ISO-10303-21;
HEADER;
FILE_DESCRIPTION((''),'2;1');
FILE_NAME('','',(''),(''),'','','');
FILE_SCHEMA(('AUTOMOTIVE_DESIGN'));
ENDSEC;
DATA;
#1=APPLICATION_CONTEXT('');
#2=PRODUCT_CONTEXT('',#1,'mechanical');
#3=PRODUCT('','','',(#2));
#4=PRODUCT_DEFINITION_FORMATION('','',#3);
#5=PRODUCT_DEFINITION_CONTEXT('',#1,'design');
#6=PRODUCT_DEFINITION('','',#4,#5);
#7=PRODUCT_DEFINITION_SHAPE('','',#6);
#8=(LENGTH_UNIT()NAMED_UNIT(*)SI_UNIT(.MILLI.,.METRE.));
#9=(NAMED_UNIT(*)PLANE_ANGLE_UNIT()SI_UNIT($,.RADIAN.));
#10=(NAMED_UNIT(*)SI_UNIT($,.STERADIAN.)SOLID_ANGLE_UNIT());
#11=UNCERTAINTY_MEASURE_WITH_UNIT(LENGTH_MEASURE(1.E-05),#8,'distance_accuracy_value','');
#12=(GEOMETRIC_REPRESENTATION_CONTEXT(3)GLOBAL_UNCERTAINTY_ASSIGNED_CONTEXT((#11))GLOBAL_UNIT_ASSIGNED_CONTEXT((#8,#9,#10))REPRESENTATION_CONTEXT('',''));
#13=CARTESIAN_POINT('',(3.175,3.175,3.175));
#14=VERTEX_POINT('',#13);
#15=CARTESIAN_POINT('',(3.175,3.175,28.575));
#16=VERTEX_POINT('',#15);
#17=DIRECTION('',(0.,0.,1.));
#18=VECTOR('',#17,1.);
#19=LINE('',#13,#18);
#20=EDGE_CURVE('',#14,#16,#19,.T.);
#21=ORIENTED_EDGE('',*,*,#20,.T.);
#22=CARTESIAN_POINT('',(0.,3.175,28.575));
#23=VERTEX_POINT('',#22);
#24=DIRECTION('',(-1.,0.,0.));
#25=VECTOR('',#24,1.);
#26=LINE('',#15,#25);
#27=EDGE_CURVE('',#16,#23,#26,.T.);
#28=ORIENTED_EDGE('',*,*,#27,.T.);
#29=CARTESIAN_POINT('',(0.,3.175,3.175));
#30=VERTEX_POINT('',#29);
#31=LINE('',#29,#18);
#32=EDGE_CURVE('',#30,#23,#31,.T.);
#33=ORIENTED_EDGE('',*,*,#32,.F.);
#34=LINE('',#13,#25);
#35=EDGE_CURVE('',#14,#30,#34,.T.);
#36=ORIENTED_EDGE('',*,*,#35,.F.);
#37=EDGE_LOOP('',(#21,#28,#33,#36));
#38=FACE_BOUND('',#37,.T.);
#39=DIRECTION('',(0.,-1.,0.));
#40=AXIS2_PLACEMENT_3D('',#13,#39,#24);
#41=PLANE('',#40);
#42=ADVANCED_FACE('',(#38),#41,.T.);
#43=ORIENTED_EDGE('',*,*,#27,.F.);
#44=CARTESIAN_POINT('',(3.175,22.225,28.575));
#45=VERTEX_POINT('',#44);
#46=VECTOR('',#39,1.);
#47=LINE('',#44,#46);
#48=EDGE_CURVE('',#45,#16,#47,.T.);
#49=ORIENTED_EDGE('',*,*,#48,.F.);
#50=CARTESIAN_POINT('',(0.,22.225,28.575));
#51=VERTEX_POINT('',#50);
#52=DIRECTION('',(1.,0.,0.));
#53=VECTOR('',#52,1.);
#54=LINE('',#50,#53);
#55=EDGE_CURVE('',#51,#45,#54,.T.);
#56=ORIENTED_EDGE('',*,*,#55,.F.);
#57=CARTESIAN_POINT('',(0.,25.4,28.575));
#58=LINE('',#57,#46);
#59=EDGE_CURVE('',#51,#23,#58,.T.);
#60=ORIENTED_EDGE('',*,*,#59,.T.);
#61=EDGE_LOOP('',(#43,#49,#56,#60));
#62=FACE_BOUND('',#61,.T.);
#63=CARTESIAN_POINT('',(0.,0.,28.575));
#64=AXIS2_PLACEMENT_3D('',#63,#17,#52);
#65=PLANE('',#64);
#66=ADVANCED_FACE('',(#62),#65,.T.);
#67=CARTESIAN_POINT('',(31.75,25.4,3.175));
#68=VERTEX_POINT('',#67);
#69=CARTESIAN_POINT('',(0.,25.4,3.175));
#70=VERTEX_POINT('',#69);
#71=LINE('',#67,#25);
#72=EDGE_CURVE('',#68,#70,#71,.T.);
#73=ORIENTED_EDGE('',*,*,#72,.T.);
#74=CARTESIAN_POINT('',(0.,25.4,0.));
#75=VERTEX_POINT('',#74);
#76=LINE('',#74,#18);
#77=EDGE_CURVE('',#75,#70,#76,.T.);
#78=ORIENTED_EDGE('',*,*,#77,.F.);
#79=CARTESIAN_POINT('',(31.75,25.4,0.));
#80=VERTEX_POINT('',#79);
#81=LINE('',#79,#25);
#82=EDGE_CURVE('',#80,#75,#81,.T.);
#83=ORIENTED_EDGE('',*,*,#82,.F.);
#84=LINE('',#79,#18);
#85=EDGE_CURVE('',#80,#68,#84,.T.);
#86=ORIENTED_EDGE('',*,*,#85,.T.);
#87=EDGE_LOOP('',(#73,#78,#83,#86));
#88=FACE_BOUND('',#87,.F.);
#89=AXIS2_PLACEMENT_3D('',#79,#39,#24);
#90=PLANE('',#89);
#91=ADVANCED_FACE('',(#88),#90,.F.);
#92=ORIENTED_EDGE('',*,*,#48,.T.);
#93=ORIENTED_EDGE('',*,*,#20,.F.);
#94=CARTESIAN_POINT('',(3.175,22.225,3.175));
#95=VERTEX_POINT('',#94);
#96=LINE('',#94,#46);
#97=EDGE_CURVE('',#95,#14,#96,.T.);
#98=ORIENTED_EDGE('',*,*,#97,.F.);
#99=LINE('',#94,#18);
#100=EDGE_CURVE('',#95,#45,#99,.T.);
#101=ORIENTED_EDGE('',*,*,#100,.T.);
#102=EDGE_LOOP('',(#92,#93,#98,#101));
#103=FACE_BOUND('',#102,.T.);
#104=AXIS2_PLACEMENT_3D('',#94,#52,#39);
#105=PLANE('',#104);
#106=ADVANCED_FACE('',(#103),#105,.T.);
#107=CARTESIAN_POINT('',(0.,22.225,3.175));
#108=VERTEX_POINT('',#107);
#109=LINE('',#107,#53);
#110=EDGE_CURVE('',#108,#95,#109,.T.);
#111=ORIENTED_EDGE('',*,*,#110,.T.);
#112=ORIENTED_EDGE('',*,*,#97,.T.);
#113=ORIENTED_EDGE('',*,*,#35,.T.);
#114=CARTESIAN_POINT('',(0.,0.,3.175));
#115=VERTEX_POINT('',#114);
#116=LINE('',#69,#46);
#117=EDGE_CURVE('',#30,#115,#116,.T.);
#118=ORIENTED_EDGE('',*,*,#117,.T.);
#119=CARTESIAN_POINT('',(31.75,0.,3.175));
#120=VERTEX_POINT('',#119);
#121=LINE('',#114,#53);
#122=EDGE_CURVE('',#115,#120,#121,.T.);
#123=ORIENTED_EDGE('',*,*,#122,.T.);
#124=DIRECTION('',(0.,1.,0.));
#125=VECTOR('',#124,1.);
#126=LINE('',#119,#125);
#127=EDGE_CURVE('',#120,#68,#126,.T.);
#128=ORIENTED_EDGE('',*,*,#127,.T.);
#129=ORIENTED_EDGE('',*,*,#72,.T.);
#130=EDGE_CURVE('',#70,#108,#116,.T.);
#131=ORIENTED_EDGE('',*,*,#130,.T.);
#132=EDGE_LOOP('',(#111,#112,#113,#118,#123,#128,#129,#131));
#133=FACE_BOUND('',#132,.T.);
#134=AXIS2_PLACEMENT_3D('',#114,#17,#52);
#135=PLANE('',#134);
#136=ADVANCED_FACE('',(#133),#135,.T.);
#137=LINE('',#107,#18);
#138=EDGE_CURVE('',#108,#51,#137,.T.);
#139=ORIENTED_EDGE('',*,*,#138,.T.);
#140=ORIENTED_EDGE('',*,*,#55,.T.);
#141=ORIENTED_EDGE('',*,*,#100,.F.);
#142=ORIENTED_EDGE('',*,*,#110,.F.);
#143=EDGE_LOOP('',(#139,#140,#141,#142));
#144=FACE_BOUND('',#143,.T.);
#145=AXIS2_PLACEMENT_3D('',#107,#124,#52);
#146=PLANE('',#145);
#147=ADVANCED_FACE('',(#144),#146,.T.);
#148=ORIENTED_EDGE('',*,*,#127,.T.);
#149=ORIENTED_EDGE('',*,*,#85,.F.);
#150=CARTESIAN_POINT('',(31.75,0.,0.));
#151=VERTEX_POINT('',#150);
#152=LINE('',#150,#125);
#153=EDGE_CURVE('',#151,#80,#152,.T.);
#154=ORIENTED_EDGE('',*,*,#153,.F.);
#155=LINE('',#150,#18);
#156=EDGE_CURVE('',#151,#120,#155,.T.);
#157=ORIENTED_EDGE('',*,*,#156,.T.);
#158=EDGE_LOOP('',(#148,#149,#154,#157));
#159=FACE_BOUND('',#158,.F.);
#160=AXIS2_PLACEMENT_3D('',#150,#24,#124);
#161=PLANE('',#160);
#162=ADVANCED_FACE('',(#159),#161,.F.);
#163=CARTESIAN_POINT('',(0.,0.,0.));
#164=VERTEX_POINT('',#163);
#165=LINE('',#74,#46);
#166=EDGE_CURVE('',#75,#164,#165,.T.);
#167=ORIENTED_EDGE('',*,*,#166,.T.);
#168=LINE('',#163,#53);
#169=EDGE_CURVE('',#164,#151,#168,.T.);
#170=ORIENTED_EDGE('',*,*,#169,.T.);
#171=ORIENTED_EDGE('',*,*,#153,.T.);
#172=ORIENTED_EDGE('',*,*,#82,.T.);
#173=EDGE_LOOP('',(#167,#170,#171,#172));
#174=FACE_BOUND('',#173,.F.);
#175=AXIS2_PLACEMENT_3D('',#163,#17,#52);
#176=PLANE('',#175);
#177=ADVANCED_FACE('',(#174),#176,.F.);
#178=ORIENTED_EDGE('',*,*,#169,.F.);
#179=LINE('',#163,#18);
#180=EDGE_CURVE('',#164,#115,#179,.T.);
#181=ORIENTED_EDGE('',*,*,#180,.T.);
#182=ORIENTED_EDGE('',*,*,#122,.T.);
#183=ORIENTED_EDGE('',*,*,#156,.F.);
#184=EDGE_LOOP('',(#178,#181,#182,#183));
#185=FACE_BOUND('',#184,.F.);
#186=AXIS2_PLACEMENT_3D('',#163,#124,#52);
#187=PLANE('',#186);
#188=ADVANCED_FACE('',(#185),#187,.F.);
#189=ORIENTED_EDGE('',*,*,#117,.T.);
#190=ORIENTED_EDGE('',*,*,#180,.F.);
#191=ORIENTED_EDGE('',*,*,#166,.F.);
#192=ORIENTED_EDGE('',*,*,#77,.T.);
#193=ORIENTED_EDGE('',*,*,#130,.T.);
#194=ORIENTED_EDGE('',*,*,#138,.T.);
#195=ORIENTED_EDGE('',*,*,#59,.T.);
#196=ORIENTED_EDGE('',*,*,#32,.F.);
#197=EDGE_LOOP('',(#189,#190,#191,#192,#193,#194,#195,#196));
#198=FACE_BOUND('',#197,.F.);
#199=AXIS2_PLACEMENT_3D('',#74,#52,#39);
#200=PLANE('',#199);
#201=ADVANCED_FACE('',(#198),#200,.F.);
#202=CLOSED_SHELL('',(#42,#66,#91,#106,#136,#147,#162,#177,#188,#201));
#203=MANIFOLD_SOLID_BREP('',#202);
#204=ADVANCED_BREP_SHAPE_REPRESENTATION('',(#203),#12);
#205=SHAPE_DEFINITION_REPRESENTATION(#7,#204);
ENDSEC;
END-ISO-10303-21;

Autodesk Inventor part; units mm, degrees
ref_plane "YZ Plane" through (0, 0, 0) normal (1, 0, 0) x (0, 1, 0)
ref_plane "XZ Plane" through (0, 0, 0) normal (0, 1, 0) x (-1, 0, 0)
ref_plane "XY Plane" through (0, 0, 0) normal (0, 0, 1) x (1, 0, 0)
sketch "Sketch1" plane through (0, 0, 0) normal (0, 0, 1) x (1, 0, 0)
  line L0 (0, 0) -> (31.75, 0)
  line L1 (31.75, 0) -> (31.75, 25.4)
  line L2 (31.75, 25.4) -> (0, 25.4)
  line L3 (0, 25.4) -> (0, 0)
  dimension "d0" = 31.75
  dimension "d1" = 25.4
extrude "Extrusion1" add sketch "Sketch1" along normal blind 3.175
sketch "Sketch2" plane through (0, 0, 3.175) normal (0, 0, 1) x (1, 0, 0)
  line L0 (0, 25.4) -> (0, 0) projected
  line L1 (0, 3.175) -> (0, 22.225)
  line L2 (0, 22.225) -> (3.175, 22.225)
  line L3 (3.175, 22.225) -> (3.175, 3.175)
  line L4 (3.175, 3.175) -> (0, 3.175)
  dimension "d4" = 19.05
  dimension "d5" = 3.175
extrude "Extrusion2" add sketch "Sketch2" along normal blind 25.4
properties part number "bracket"
